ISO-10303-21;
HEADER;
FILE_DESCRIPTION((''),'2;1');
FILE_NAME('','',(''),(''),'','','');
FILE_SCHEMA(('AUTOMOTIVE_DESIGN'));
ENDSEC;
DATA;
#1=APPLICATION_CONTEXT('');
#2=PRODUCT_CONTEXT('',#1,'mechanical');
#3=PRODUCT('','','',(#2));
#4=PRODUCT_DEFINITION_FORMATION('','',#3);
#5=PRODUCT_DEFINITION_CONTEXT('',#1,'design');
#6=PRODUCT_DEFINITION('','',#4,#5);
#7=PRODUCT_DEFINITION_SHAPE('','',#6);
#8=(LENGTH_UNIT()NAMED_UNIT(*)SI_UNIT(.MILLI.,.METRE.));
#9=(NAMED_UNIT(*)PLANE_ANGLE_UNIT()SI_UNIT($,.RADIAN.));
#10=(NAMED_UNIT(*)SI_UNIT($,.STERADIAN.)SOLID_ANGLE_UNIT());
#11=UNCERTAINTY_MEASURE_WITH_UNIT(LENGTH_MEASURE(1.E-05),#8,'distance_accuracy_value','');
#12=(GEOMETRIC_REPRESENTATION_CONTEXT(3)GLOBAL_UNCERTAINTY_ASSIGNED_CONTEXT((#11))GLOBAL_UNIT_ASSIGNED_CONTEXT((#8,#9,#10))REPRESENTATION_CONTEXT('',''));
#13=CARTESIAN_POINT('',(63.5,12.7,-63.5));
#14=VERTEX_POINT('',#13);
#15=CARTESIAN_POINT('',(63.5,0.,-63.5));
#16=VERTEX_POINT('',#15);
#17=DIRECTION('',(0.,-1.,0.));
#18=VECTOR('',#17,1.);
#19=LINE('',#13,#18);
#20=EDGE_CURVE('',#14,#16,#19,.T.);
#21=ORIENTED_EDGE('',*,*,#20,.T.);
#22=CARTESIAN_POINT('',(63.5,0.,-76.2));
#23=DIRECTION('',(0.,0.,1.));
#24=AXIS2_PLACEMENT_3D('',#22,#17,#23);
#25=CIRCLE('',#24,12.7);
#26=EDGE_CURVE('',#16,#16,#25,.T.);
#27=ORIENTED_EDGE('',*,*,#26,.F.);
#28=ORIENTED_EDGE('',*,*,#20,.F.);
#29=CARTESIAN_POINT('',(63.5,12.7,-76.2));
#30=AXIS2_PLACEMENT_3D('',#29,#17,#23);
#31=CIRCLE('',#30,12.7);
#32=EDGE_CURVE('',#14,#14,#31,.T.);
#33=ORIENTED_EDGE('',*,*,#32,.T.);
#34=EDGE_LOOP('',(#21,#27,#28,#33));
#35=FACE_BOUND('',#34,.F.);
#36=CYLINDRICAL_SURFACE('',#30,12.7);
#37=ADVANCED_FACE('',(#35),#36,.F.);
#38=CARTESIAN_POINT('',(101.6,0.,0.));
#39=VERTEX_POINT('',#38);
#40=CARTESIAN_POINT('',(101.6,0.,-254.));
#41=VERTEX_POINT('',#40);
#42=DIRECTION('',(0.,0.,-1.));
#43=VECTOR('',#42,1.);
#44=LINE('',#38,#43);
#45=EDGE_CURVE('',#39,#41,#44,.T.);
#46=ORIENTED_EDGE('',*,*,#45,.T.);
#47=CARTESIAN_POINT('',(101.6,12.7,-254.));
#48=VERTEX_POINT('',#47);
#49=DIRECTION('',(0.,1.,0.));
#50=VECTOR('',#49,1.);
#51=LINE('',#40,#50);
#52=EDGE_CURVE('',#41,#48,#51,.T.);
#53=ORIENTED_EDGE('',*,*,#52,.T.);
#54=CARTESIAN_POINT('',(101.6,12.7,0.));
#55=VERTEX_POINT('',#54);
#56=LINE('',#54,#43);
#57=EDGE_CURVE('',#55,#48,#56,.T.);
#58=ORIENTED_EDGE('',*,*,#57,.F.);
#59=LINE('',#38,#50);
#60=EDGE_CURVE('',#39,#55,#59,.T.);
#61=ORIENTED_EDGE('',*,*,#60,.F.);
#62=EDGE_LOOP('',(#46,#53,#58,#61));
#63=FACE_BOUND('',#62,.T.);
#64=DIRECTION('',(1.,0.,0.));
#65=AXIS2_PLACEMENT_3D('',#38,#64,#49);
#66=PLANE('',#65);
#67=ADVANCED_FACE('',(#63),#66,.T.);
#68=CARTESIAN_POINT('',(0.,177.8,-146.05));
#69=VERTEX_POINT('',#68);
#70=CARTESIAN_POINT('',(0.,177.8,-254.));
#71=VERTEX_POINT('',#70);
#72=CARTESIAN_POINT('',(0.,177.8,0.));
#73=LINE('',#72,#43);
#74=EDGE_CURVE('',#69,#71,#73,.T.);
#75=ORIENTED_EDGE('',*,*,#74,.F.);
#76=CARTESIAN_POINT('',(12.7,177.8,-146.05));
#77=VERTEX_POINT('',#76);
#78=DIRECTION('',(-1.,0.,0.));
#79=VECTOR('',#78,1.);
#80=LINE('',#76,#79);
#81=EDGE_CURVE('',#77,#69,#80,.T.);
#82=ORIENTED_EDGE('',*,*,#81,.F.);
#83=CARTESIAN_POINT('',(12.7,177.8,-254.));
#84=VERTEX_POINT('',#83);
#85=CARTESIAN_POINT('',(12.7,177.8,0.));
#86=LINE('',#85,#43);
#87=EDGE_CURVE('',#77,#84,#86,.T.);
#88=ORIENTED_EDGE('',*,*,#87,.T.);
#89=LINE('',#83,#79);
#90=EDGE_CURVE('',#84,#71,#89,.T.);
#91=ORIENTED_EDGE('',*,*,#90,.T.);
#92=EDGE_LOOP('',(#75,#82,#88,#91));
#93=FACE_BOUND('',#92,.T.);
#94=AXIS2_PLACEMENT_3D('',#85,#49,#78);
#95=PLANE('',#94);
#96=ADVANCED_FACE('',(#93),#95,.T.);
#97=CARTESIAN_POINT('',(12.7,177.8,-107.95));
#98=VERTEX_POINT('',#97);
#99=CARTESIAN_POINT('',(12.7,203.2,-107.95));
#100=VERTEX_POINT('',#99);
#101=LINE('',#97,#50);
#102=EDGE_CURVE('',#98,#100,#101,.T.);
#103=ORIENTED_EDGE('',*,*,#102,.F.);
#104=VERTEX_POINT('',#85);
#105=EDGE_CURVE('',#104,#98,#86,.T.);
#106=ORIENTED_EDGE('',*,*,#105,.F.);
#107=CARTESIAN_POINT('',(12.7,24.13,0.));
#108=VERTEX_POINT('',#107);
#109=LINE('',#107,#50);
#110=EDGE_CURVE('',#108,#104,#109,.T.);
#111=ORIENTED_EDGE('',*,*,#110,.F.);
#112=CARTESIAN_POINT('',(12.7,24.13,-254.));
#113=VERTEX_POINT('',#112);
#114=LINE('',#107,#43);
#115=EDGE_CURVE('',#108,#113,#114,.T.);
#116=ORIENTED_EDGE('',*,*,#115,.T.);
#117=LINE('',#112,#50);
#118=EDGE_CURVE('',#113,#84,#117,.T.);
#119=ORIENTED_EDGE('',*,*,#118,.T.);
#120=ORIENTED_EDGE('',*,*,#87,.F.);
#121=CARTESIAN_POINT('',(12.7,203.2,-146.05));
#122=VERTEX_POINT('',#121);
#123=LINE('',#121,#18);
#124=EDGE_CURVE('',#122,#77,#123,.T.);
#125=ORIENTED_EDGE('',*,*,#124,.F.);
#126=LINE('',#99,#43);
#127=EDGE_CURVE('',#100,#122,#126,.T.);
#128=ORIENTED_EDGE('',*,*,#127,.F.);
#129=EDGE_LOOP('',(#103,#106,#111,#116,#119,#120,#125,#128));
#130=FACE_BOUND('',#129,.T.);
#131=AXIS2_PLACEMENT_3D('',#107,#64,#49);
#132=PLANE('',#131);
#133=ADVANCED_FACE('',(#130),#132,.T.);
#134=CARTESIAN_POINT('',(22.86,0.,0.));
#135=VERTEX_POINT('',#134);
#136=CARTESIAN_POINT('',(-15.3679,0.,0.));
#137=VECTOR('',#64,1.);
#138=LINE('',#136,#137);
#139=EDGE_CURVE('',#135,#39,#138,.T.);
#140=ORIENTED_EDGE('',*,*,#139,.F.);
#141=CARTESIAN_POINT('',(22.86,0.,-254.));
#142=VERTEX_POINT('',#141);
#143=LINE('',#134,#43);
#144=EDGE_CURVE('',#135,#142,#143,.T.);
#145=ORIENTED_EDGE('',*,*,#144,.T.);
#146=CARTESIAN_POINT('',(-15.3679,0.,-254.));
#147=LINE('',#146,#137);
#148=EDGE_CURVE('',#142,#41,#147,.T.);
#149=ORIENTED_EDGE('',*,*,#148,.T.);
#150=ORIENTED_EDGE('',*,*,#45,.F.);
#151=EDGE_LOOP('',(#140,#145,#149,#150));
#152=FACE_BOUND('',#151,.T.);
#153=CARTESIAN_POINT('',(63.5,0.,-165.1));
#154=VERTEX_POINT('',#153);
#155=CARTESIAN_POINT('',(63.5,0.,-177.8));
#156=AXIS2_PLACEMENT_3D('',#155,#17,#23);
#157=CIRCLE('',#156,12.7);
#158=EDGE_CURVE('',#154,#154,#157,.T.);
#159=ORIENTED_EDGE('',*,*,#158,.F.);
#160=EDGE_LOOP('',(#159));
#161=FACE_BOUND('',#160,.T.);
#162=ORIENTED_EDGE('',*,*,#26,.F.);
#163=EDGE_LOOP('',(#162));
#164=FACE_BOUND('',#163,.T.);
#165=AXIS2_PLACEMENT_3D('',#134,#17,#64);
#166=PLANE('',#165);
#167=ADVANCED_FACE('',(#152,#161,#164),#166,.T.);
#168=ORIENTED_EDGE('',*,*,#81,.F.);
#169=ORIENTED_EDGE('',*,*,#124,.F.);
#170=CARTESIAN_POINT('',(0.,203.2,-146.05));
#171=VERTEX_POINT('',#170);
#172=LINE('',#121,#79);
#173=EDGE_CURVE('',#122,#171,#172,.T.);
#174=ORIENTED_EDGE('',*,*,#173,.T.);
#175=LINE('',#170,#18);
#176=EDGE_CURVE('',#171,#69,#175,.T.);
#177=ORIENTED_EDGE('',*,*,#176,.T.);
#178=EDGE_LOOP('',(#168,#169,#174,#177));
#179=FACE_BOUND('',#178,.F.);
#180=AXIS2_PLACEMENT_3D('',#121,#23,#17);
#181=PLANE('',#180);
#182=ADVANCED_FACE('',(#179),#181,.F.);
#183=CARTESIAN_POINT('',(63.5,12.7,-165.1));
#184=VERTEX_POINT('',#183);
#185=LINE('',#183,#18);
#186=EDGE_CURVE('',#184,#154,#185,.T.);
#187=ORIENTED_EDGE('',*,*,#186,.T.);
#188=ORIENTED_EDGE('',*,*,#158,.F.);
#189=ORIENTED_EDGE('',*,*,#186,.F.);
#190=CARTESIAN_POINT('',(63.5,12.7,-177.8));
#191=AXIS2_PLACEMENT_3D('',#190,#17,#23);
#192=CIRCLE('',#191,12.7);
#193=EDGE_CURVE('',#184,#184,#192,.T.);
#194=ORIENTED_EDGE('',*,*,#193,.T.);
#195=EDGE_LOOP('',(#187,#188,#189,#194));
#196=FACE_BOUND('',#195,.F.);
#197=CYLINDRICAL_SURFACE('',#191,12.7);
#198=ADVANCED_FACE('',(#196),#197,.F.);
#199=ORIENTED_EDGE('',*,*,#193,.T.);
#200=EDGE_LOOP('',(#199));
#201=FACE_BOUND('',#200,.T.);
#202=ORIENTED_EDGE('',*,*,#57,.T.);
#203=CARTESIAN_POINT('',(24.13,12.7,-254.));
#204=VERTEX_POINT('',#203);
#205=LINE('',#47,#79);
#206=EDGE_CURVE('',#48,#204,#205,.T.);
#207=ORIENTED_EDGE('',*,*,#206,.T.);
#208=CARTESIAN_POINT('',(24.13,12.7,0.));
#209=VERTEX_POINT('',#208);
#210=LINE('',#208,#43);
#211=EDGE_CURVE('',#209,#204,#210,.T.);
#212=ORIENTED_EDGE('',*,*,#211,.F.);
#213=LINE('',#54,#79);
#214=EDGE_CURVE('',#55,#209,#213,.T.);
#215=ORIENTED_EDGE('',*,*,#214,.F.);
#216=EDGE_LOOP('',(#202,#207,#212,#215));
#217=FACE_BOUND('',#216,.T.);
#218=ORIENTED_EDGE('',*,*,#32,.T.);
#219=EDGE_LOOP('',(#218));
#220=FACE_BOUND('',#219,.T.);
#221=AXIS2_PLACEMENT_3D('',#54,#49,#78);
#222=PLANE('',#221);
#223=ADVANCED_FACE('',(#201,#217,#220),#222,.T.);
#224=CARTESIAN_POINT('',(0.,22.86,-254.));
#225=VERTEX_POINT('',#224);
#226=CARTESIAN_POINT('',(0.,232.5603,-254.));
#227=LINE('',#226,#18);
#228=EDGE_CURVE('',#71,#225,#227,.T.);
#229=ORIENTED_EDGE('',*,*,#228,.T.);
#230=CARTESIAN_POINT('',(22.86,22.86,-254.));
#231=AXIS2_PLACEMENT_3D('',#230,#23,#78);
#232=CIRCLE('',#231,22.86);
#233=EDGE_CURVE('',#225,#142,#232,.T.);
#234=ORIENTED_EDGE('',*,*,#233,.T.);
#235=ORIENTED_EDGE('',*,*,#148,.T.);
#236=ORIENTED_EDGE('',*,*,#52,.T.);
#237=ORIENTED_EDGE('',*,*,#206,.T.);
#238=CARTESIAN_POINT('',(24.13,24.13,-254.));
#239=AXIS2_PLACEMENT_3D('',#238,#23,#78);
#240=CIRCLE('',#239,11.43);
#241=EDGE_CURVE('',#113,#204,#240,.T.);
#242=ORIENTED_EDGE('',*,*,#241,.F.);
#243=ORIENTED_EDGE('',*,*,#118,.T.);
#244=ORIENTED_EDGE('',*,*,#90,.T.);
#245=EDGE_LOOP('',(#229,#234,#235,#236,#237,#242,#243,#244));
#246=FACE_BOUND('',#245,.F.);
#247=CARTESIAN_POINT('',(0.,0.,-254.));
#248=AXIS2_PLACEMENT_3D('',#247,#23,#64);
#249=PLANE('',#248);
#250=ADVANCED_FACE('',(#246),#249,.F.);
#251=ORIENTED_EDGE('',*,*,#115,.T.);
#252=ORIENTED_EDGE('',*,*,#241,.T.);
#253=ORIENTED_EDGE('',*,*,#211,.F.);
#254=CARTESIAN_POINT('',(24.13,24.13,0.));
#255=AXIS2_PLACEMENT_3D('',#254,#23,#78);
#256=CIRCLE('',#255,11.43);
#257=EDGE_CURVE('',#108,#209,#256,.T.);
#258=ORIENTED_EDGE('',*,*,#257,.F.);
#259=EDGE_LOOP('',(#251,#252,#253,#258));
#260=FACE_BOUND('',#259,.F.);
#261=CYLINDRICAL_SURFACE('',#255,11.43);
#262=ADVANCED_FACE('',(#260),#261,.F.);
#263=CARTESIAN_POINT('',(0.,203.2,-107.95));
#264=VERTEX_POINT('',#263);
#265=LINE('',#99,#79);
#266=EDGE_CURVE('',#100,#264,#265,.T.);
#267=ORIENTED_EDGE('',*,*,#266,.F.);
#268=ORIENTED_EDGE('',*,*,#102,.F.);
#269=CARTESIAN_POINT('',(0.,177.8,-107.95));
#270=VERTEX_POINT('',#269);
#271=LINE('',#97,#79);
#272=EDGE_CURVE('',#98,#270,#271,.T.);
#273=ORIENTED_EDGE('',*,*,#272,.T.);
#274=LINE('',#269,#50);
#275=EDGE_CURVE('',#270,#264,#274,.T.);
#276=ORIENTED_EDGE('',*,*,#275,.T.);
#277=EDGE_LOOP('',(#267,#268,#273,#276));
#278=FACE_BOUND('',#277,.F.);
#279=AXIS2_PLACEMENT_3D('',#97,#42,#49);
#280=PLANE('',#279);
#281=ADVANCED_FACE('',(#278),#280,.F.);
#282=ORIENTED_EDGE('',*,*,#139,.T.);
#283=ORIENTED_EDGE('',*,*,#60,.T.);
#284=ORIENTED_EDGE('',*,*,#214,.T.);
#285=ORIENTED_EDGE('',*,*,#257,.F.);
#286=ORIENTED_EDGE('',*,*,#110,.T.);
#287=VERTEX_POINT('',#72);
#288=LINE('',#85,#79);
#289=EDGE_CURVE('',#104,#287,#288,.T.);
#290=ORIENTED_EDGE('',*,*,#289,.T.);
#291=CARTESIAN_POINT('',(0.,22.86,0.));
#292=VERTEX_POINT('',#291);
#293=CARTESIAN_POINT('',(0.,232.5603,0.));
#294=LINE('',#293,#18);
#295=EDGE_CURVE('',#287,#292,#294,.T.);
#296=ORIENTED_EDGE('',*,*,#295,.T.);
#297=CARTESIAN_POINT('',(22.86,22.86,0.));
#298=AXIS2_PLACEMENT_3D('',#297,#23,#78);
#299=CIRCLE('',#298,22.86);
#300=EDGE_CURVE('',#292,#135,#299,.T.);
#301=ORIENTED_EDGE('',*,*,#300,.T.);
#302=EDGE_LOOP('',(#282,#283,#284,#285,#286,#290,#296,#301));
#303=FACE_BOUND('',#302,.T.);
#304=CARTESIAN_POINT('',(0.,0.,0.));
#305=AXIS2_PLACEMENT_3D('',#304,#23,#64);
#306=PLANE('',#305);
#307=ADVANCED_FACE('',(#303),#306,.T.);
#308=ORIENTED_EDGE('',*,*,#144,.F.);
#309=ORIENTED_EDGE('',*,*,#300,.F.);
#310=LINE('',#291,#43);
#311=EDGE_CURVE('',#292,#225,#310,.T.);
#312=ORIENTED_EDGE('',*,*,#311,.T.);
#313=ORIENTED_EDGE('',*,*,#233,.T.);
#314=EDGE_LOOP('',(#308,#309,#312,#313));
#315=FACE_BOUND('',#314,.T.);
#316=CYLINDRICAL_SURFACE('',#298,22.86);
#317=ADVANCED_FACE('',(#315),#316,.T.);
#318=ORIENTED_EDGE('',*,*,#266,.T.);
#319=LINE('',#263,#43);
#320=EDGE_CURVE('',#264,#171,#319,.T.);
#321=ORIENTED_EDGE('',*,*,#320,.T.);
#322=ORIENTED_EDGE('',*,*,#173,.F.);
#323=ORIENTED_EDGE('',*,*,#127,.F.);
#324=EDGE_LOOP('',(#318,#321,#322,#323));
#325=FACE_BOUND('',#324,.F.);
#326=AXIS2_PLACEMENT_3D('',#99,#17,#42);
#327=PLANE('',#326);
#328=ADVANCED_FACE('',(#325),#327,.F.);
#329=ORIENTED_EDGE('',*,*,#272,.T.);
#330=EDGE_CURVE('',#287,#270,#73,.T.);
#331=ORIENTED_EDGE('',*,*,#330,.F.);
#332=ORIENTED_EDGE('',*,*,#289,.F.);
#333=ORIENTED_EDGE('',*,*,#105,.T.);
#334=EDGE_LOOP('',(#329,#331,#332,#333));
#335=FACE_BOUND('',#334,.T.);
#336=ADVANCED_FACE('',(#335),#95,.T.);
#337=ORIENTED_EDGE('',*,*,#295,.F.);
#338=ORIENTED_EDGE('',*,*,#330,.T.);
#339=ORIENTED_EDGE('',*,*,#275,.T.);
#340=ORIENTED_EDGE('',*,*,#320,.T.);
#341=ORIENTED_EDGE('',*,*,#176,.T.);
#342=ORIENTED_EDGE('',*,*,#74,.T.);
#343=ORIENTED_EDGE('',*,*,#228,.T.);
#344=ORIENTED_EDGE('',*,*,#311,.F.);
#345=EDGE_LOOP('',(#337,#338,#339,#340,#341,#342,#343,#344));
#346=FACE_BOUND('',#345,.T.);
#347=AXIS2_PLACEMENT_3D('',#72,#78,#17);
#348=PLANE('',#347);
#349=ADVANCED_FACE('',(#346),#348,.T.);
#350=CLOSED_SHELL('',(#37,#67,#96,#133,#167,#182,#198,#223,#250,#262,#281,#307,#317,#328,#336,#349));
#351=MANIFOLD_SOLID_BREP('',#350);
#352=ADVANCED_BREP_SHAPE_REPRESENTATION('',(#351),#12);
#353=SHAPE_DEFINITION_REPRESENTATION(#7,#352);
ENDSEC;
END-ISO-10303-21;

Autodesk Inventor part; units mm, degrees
ref_plane "YZ Plane" through (0, 0, 0) normal (1, 0, 0) x (0, 1, 0)
ref_plane "XZ Plane" through (0, 0, 0) normal (0, 1, 0) x (-1, 0, 0)
ref_plane "XY Plane" through (0, 0, 0) normal (0, 0, 1) x (1, 0, 0)
sketch "Sketch1" plane through (0, 0, 0) normal (0, 0, 1) x (1, 0, 0)
  line L0 (0, 232.5603) -> (0, -22.9879) projected
  line L1 (-15.3679, 0) -> (133.5003, 0) projected
  line L2 (0, 177.8) -> (0, 22.86)
  line L3 (22.86, 0) -> (101.6, 0)
  line L4 (101.6, 0) -> (101.6, 12.7)
  line L5 (101.6, 12.7) -> (24.13, 12.7)
  line L6 (12.7, 24.13) -> (12.7, 177.8)
  line L7 (12.7, 177.8) -> (0, 177.8)
  arc A0 (0, 22.86) -> (22.86, 0) centre (22.86, 22.86) ccw
  arc A1 (12.7, 24.13) -> (24.13, 12.7) centre (24.13, 24.13) ccw
  dimension "d0" = 22.86
  dimension "d1" = 12.7
  dimension "d2" = 177.8
  dimension "d4" = 12.7
  dimension "d6" = 101.6
  dimension "d7" = 11.43
extrude "Extrusion1" add sketch "Sketch1" against normal blind 254 contours L7 L6 A1 L5 L4 L1 A0 L0
sketch "Sketch2" plane through (24.13, 12.7, 0) normal (0, 1, 0) x (1, 0, 0)
  line L0 (77.47, 0) -> (0, 0) projected
  line L1 (77.47, 0) -> (77.47, 254) projected
  point P0 (39.37, 76.2)
  dimension "d10" = 38.1
  dimension "d11" = 76.2
hole "Hole1" at (63.5, 12.7, -76.2) direction (0, -1, 0) diameter 25.4 end through all
pattern_linear "Rectangular Pattern1" count 2 spacing 101.6 along (0, 0, -1) of "Hole1"
sketch "Sketch3" plane through (12.7, 24.13, 0) normal (1, 0, 0) x (0, 0, -1)
  line L0 (0, 153.67) -> (254, 153.67) projected
  line L1 (0, 0) -> (0, 153.67) projected
  line L2 (0, 0) -> (254, 0) projected
  line L3 (107.95, 153.67) -> (107.95, 179.07)
  line L4 (107.95, 179.07) -> (146.05, 179.07)
  line L5 (146.05, 179.07) -> (146.05, 153.67)
  dimension "d22" = 25.4
  dimension "d23" = 38.1
  dimension "d24" = 107.95
extrude "Extrusion2" add sketch "Sketch3" against normal blind 12.7
properties part number "XBRACKET"
